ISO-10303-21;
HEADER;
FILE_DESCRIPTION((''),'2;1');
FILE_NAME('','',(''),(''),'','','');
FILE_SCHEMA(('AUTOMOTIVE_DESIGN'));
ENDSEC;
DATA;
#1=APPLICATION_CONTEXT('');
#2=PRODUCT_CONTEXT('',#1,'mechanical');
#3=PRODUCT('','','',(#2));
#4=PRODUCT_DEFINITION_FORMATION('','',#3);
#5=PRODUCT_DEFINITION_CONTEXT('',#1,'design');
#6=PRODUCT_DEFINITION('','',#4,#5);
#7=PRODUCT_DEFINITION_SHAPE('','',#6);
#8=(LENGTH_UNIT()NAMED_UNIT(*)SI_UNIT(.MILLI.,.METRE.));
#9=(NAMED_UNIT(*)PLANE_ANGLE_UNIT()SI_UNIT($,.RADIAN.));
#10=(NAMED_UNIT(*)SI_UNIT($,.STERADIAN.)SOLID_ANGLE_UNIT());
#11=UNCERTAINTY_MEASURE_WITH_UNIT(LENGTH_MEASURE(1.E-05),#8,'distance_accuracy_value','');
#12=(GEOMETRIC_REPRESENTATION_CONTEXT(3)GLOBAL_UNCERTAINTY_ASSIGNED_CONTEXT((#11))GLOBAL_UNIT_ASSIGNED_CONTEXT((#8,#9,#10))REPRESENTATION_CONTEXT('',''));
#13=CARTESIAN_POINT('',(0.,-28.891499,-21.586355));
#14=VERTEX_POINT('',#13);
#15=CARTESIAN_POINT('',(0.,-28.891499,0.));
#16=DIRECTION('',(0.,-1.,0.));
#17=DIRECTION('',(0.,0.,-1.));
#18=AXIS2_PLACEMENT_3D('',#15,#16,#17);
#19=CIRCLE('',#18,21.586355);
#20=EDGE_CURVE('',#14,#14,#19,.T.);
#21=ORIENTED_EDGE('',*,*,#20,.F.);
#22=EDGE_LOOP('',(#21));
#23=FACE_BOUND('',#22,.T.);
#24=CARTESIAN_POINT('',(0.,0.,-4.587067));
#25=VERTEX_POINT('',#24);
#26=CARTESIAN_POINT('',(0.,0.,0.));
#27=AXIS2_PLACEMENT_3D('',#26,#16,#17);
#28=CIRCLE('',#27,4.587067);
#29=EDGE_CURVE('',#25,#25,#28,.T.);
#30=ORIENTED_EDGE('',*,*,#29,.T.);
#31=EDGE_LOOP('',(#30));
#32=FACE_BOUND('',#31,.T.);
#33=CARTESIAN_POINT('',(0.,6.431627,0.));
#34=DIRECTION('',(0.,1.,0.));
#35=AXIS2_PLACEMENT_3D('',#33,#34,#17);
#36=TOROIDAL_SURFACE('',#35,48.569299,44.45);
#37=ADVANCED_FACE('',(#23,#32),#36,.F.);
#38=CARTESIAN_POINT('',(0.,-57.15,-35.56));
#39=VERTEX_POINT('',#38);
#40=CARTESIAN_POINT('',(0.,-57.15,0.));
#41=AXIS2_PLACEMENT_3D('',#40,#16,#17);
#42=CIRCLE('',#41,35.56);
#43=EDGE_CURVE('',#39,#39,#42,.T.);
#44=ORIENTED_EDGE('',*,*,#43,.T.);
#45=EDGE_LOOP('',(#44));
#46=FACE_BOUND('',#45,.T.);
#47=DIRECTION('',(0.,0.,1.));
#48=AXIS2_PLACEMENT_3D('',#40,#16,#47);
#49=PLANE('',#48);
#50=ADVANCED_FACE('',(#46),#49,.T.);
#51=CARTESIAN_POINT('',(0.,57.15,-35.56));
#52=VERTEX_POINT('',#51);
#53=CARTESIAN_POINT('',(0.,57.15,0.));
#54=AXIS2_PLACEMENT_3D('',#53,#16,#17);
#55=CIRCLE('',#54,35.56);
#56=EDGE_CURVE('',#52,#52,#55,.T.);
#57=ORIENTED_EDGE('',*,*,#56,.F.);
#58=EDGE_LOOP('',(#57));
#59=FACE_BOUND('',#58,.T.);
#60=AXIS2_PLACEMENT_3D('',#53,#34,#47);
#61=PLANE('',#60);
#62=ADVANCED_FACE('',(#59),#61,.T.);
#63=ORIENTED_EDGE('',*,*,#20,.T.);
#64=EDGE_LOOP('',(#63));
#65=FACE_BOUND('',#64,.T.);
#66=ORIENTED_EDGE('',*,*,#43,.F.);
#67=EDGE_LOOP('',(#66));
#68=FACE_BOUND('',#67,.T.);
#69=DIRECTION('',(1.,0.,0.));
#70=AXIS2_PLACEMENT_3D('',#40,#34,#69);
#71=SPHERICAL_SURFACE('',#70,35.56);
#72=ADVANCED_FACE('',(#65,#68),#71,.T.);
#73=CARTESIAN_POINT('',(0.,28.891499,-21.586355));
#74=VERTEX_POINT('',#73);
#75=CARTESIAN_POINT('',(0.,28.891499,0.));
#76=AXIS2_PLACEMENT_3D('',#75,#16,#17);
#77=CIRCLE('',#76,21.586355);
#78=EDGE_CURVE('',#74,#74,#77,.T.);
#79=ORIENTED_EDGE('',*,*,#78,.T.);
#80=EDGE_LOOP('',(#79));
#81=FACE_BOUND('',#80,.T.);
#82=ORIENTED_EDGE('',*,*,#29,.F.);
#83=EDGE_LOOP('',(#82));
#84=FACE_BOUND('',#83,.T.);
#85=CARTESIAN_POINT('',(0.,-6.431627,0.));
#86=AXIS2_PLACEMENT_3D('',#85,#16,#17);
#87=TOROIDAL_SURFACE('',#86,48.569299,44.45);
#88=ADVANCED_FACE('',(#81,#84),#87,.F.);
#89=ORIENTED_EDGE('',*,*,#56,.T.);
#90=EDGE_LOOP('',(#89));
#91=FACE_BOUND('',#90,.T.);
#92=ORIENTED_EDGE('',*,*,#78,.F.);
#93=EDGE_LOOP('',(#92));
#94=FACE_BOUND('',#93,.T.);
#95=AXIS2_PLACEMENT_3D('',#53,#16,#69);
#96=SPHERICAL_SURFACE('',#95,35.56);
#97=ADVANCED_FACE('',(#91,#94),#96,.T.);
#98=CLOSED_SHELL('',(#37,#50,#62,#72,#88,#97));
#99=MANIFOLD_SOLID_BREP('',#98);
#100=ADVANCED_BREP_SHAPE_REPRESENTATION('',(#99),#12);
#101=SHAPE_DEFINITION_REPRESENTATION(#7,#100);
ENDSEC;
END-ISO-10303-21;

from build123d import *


with BuildPart() as part:
    # Sketch1 → Revolve1 (revolve)
    with BuildSketch(Plane.XY, mode=Mode.PRIVATE) as revolve1_sk:
        with BuildLine():
            Line((0, 0), (0, 57.15))
            Line((0, 57.15), (35.56, 57.15))
            ThreePointArc((35.56, 57.15), (31.875730438, 41.387658517), (21.586354948, 28.891498977))
            ThreePointArc((21.586354948, 28.891498977), (10.258807987, 16.109641662), (4.587067332, 0))
            Line((4.587067332, 0), (0, 0))
        make_face()
    revolve1 = revolve(revolve1_sk.sketch.rotate(Axis((0, 0, 0), (0, 1, 0)), 90), axis=Axis((0, 0, 0), (0, 1, 0)))

    # Mirror1: Revolve1 across plane
    add(revolve1.mirror(Plane(origin=(4.587067332, 0, 0), x_dir=(0, 0, 1), z_dir=(0, -1, 0))))


solid = part.part
